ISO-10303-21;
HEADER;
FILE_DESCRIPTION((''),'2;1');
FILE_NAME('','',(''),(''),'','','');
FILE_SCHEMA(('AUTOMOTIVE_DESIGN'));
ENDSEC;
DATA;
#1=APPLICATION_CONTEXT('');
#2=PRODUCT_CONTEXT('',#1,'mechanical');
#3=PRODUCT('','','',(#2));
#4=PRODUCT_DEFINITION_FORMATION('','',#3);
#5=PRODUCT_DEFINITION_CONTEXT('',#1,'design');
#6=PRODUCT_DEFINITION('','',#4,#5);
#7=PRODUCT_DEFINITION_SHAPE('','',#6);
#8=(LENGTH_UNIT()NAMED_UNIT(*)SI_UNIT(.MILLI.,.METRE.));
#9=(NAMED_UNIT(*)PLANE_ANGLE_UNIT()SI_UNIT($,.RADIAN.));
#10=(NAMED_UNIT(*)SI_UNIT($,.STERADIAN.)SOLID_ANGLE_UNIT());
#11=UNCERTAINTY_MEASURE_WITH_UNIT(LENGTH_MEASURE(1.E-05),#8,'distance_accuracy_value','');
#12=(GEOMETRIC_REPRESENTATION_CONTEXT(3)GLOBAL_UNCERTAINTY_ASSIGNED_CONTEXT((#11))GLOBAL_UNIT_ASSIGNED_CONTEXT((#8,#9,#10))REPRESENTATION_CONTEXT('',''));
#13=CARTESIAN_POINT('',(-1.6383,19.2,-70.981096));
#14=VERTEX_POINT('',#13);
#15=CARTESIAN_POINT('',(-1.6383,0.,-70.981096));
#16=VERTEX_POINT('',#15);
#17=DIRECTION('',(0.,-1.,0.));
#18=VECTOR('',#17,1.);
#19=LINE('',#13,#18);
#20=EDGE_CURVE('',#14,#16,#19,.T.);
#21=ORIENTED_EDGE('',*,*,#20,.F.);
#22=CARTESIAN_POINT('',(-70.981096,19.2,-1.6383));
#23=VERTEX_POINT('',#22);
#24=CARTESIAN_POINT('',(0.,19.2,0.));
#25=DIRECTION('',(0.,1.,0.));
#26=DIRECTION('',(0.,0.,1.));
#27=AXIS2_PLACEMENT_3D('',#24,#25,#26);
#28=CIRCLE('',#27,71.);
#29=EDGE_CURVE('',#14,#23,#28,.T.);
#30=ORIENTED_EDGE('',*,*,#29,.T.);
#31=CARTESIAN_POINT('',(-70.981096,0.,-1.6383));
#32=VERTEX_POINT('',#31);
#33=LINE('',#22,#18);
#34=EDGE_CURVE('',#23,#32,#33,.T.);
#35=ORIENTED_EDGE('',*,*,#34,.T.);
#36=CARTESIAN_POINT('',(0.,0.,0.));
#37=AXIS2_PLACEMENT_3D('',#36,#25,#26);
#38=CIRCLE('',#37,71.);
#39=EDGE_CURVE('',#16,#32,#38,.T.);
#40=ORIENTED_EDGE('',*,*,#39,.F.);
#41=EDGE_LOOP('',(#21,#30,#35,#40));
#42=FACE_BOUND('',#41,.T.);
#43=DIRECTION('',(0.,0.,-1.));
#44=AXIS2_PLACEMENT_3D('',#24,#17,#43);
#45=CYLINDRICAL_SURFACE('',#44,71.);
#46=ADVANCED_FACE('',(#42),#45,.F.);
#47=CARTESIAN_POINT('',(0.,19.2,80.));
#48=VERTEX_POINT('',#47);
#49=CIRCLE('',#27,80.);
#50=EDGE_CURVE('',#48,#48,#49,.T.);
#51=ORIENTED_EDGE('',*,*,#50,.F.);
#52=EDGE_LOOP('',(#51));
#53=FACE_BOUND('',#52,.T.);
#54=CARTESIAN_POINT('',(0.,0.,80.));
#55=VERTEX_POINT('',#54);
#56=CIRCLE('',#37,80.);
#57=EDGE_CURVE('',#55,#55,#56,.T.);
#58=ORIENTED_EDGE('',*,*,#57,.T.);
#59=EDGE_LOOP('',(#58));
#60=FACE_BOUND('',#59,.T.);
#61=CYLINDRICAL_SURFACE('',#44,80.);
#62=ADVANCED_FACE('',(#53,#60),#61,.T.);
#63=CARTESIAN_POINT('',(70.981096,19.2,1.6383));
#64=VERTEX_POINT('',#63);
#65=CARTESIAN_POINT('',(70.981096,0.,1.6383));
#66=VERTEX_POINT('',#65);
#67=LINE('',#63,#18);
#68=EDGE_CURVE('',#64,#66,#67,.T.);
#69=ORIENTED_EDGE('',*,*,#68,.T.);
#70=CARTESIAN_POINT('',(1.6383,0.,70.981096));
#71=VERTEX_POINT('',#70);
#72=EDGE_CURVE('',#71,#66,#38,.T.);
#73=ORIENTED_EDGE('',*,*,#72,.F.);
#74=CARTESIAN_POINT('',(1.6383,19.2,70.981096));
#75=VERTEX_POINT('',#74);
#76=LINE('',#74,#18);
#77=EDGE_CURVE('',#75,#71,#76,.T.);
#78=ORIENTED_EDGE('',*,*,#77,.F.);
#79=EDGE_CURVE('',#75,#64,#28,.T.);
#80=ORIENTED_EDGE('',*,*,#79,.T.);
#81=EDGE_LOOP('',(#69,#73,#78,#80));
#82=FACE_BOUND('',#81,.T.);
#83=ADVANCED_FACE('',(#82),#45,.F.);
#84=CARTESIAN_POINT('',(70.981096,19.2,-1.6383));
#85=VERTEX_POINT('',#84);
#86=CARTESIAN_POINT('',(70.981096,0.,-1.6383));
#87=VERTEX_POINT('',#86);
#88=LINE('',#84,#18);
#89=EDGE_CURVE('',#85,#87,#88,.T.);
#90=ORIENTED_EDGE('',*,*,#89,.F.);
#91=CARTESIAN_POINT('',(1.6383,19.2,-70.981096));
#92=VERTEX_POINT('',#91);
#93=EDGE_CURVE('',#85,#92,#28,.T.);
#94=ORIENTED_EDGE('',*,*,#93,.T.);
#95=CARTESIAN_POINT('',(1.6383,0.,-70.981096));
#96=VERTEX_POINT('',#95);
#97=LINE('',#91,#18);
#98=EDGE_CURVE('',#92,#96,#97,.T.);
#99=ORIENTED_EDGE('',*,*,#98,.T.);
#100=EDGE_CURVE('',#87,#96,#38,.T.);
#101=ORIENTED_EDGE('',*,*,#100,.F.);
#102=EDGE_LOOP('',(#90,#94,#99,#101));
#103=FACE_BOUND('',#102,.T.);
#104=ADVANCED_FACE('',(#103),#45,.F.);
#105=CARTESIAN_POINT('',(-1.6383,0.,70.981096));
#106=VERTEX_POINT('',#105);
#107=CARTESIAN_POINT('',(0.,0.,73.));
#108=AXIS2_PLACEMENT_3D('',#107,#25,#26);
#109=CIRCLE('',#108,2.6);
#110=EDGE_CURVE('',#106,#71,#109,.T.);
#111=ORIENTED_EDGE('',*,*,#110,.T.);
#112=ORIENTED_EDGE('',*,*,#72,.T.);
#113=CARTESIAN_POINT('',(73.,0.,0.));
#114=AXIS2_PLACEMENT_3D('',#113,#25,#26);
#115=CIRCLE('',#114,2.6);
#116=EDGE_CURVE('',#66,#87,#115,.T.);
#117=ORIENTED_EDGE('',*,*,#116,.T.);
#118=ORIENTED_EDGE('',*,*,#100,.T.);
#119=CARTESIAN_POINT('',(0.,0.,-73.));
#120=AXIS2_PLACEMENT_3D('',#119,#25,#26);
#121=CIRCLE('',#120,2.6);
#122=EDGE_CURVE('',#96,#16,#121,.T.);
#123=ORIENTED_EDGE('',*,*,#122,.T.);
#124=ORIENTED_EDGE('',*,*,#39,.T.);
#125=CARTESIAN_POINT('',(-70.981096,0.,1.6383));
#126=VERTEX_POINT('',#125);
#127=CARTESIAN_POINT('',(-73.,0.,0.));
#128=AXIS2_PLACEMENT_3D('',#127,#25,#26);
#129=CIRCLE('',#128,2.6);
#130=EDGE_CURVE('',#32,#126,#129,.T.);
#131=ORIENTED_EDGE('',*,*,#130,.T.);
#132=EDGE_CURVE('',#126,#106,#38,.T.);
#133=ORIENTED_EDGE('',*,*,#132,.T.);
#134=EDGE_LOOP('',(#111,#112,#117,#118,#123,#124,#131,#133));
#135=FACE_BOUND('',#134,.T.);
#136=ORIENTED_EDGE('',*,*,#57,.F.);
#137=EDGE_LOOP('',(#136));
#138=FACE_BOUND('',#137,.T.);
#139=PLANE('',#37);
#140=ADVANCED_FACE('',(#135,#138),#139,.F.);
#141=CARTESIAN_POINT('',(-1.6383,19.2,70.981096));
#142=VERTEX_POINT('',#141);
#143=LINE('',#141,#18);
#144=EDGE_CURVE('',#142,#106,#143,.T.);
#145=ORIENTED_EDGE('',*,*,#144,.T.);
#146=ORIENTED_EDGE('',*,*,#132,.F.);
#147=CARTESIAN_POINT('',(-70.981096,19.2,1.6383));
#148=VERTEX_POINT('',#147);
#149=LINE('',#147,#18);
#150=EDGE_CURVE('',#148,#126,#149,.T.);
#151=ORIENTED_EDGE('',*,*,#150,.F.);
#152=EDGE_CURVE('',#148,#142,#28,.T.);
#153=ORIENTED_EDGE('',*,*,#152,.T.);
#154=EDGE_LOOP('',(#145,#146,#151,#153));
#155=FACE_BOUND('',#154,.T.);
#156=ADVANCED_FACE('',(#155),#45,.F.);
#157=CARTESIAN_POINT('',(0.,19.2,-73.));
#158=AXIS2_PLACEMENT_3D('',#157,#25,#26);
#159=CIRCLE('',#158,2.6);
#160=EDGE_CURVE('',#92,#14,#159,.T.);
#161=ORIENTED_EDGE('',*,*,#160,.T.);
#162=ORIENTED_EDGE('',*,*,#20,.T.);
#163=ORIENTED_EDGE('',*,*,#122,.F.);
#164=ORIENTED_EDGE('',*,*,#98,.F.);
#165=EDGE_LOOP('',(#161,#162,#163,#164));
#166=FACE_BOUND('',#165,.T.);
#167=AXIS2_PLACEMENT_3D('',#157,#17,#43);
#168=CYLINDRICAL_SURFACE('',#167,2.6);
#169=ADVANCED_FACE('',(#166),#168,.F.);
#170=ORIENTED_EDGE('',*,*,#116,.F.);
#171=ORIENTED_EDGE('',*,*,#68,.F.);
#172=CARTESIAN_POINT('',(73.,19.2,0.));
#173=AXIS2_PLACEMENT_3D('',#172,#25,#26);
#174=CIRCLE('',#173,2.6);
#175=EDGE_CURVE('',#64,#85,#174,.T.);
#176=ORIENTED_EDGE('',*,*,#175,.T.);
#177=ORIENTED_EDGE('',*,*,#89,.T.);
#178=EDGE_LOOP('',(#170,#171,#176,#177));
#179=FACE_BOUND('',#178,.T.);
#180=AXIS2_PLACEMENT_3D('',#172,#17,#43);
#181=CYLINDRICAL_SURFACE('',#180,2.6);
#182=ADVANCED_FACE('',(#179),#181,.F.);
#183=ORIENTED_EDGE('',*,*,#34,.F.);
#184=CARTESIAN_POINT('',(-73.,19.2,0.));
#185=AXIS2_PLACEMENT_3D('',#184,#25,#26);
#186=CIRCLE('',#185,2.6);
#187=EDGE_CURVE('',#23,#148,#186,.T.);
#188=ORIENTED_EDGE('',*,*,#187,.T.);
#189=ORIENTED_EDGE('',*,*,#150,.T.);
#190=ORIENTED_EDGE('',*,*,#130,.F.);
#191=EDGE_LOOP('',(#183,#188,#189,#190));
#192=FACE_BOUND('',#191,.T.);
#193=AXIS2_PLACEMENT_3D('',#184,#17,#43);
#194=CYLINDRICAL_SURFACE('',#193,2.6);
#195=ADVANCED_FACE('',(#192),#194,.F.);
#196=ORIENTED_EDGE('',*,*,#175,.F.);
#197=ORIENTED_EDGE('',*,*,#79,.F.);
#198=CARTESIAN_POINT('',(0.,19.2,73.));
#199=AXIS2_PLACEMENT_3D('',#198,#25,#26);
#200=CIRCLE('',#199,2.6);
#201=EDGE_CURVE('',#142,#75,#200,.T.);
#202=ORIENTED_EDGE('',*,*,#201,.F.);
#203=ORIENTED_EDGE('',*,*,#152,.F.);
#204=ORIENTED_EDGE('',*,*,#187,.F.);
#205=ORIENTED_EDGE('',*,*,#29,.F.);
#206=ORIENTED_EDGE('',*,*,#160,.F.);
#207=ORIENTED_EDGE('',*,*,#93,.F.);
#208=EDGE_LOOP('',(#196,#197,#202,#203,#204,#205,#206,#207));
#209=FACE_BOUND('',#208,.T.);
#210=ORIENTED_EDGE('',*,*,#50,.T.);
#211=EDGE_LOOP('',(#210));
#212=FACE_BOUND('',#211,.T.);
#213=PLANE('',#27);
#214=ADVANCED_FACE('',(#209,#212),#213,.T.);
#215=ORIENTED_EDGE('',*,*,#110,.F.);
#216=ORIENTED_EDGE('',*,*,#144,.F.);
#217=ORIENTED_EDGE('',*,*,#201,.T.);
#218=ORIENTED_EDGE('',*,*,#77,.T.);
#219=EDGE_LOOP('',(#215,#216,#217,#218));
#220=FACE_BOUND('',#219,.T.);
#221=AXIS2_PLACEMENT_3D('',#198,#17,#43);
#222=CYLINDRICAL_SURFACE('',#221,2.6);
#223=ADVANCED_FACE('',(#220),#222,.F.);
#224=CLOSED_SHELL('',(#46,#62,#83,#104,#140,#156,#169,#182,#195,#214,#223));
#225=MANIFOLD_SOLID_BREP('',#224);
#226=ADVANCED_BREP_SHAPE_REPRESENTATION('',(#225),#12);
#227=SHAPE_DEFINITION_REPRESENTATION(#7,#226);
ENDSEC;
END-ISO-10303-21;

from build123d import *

# Parameters (mm, degrees)
SKETCH1_R           = 80
BOSS_EXTRUDE1_DEPTH = 19.2


with BuildPart() as part:
    # Sketch1 → Boss-Extrude1 (new body)
    with BuildSketch(Plane(origin=(0, 0, 0), x_dir=(1, 0, 0), z_dir=(0, 1, 0))):
        with Locations(Location((0, 0, 0), (0, 0, 270))):
            Circle(SKETCH1_R)
        with BuildLine():
            ThreePointArc((1.638299788, 70.98109589), (0, 75.6), (-1.638299788, 70.98109589))
            ThreePointArc((-1.638299788, 70.98109589), (-50.204581464, 50.204581464), (-70.98109589, 1.638299788))
            ThreePointArc((-70.98109589, 1.638299788), (-75.6, 0), (-70.98109589, -1.638299788))
            ThreePointArc((-70.98109589, -1.638299788), (-50.204581464, -50.204581464), (-1.638299788, -70.98109589))
            ThreePointArc((-1.638299788, -70.98109589), (0, -75.6), (1.638299788, -70.98109589))
            ThreePointArc((1.638299788, -70.98109589), (50.204581464, -50.204581464), (70.98109589, -1.638299788))
            ThreePointArc((70.98109589, -1.638299788), (75.6, 0), (70.98109589, 1.638299788))
            ThreePointArc((70.98109589, 1.638299788), (50.204581464, 50.204581464), (1.638299788, 70.98109589))
        make_face(mode=Mode.SUBTRACT)
    extrude(amount=BOSS_EXTRUDE1_DEPTH)


solid = part.part
